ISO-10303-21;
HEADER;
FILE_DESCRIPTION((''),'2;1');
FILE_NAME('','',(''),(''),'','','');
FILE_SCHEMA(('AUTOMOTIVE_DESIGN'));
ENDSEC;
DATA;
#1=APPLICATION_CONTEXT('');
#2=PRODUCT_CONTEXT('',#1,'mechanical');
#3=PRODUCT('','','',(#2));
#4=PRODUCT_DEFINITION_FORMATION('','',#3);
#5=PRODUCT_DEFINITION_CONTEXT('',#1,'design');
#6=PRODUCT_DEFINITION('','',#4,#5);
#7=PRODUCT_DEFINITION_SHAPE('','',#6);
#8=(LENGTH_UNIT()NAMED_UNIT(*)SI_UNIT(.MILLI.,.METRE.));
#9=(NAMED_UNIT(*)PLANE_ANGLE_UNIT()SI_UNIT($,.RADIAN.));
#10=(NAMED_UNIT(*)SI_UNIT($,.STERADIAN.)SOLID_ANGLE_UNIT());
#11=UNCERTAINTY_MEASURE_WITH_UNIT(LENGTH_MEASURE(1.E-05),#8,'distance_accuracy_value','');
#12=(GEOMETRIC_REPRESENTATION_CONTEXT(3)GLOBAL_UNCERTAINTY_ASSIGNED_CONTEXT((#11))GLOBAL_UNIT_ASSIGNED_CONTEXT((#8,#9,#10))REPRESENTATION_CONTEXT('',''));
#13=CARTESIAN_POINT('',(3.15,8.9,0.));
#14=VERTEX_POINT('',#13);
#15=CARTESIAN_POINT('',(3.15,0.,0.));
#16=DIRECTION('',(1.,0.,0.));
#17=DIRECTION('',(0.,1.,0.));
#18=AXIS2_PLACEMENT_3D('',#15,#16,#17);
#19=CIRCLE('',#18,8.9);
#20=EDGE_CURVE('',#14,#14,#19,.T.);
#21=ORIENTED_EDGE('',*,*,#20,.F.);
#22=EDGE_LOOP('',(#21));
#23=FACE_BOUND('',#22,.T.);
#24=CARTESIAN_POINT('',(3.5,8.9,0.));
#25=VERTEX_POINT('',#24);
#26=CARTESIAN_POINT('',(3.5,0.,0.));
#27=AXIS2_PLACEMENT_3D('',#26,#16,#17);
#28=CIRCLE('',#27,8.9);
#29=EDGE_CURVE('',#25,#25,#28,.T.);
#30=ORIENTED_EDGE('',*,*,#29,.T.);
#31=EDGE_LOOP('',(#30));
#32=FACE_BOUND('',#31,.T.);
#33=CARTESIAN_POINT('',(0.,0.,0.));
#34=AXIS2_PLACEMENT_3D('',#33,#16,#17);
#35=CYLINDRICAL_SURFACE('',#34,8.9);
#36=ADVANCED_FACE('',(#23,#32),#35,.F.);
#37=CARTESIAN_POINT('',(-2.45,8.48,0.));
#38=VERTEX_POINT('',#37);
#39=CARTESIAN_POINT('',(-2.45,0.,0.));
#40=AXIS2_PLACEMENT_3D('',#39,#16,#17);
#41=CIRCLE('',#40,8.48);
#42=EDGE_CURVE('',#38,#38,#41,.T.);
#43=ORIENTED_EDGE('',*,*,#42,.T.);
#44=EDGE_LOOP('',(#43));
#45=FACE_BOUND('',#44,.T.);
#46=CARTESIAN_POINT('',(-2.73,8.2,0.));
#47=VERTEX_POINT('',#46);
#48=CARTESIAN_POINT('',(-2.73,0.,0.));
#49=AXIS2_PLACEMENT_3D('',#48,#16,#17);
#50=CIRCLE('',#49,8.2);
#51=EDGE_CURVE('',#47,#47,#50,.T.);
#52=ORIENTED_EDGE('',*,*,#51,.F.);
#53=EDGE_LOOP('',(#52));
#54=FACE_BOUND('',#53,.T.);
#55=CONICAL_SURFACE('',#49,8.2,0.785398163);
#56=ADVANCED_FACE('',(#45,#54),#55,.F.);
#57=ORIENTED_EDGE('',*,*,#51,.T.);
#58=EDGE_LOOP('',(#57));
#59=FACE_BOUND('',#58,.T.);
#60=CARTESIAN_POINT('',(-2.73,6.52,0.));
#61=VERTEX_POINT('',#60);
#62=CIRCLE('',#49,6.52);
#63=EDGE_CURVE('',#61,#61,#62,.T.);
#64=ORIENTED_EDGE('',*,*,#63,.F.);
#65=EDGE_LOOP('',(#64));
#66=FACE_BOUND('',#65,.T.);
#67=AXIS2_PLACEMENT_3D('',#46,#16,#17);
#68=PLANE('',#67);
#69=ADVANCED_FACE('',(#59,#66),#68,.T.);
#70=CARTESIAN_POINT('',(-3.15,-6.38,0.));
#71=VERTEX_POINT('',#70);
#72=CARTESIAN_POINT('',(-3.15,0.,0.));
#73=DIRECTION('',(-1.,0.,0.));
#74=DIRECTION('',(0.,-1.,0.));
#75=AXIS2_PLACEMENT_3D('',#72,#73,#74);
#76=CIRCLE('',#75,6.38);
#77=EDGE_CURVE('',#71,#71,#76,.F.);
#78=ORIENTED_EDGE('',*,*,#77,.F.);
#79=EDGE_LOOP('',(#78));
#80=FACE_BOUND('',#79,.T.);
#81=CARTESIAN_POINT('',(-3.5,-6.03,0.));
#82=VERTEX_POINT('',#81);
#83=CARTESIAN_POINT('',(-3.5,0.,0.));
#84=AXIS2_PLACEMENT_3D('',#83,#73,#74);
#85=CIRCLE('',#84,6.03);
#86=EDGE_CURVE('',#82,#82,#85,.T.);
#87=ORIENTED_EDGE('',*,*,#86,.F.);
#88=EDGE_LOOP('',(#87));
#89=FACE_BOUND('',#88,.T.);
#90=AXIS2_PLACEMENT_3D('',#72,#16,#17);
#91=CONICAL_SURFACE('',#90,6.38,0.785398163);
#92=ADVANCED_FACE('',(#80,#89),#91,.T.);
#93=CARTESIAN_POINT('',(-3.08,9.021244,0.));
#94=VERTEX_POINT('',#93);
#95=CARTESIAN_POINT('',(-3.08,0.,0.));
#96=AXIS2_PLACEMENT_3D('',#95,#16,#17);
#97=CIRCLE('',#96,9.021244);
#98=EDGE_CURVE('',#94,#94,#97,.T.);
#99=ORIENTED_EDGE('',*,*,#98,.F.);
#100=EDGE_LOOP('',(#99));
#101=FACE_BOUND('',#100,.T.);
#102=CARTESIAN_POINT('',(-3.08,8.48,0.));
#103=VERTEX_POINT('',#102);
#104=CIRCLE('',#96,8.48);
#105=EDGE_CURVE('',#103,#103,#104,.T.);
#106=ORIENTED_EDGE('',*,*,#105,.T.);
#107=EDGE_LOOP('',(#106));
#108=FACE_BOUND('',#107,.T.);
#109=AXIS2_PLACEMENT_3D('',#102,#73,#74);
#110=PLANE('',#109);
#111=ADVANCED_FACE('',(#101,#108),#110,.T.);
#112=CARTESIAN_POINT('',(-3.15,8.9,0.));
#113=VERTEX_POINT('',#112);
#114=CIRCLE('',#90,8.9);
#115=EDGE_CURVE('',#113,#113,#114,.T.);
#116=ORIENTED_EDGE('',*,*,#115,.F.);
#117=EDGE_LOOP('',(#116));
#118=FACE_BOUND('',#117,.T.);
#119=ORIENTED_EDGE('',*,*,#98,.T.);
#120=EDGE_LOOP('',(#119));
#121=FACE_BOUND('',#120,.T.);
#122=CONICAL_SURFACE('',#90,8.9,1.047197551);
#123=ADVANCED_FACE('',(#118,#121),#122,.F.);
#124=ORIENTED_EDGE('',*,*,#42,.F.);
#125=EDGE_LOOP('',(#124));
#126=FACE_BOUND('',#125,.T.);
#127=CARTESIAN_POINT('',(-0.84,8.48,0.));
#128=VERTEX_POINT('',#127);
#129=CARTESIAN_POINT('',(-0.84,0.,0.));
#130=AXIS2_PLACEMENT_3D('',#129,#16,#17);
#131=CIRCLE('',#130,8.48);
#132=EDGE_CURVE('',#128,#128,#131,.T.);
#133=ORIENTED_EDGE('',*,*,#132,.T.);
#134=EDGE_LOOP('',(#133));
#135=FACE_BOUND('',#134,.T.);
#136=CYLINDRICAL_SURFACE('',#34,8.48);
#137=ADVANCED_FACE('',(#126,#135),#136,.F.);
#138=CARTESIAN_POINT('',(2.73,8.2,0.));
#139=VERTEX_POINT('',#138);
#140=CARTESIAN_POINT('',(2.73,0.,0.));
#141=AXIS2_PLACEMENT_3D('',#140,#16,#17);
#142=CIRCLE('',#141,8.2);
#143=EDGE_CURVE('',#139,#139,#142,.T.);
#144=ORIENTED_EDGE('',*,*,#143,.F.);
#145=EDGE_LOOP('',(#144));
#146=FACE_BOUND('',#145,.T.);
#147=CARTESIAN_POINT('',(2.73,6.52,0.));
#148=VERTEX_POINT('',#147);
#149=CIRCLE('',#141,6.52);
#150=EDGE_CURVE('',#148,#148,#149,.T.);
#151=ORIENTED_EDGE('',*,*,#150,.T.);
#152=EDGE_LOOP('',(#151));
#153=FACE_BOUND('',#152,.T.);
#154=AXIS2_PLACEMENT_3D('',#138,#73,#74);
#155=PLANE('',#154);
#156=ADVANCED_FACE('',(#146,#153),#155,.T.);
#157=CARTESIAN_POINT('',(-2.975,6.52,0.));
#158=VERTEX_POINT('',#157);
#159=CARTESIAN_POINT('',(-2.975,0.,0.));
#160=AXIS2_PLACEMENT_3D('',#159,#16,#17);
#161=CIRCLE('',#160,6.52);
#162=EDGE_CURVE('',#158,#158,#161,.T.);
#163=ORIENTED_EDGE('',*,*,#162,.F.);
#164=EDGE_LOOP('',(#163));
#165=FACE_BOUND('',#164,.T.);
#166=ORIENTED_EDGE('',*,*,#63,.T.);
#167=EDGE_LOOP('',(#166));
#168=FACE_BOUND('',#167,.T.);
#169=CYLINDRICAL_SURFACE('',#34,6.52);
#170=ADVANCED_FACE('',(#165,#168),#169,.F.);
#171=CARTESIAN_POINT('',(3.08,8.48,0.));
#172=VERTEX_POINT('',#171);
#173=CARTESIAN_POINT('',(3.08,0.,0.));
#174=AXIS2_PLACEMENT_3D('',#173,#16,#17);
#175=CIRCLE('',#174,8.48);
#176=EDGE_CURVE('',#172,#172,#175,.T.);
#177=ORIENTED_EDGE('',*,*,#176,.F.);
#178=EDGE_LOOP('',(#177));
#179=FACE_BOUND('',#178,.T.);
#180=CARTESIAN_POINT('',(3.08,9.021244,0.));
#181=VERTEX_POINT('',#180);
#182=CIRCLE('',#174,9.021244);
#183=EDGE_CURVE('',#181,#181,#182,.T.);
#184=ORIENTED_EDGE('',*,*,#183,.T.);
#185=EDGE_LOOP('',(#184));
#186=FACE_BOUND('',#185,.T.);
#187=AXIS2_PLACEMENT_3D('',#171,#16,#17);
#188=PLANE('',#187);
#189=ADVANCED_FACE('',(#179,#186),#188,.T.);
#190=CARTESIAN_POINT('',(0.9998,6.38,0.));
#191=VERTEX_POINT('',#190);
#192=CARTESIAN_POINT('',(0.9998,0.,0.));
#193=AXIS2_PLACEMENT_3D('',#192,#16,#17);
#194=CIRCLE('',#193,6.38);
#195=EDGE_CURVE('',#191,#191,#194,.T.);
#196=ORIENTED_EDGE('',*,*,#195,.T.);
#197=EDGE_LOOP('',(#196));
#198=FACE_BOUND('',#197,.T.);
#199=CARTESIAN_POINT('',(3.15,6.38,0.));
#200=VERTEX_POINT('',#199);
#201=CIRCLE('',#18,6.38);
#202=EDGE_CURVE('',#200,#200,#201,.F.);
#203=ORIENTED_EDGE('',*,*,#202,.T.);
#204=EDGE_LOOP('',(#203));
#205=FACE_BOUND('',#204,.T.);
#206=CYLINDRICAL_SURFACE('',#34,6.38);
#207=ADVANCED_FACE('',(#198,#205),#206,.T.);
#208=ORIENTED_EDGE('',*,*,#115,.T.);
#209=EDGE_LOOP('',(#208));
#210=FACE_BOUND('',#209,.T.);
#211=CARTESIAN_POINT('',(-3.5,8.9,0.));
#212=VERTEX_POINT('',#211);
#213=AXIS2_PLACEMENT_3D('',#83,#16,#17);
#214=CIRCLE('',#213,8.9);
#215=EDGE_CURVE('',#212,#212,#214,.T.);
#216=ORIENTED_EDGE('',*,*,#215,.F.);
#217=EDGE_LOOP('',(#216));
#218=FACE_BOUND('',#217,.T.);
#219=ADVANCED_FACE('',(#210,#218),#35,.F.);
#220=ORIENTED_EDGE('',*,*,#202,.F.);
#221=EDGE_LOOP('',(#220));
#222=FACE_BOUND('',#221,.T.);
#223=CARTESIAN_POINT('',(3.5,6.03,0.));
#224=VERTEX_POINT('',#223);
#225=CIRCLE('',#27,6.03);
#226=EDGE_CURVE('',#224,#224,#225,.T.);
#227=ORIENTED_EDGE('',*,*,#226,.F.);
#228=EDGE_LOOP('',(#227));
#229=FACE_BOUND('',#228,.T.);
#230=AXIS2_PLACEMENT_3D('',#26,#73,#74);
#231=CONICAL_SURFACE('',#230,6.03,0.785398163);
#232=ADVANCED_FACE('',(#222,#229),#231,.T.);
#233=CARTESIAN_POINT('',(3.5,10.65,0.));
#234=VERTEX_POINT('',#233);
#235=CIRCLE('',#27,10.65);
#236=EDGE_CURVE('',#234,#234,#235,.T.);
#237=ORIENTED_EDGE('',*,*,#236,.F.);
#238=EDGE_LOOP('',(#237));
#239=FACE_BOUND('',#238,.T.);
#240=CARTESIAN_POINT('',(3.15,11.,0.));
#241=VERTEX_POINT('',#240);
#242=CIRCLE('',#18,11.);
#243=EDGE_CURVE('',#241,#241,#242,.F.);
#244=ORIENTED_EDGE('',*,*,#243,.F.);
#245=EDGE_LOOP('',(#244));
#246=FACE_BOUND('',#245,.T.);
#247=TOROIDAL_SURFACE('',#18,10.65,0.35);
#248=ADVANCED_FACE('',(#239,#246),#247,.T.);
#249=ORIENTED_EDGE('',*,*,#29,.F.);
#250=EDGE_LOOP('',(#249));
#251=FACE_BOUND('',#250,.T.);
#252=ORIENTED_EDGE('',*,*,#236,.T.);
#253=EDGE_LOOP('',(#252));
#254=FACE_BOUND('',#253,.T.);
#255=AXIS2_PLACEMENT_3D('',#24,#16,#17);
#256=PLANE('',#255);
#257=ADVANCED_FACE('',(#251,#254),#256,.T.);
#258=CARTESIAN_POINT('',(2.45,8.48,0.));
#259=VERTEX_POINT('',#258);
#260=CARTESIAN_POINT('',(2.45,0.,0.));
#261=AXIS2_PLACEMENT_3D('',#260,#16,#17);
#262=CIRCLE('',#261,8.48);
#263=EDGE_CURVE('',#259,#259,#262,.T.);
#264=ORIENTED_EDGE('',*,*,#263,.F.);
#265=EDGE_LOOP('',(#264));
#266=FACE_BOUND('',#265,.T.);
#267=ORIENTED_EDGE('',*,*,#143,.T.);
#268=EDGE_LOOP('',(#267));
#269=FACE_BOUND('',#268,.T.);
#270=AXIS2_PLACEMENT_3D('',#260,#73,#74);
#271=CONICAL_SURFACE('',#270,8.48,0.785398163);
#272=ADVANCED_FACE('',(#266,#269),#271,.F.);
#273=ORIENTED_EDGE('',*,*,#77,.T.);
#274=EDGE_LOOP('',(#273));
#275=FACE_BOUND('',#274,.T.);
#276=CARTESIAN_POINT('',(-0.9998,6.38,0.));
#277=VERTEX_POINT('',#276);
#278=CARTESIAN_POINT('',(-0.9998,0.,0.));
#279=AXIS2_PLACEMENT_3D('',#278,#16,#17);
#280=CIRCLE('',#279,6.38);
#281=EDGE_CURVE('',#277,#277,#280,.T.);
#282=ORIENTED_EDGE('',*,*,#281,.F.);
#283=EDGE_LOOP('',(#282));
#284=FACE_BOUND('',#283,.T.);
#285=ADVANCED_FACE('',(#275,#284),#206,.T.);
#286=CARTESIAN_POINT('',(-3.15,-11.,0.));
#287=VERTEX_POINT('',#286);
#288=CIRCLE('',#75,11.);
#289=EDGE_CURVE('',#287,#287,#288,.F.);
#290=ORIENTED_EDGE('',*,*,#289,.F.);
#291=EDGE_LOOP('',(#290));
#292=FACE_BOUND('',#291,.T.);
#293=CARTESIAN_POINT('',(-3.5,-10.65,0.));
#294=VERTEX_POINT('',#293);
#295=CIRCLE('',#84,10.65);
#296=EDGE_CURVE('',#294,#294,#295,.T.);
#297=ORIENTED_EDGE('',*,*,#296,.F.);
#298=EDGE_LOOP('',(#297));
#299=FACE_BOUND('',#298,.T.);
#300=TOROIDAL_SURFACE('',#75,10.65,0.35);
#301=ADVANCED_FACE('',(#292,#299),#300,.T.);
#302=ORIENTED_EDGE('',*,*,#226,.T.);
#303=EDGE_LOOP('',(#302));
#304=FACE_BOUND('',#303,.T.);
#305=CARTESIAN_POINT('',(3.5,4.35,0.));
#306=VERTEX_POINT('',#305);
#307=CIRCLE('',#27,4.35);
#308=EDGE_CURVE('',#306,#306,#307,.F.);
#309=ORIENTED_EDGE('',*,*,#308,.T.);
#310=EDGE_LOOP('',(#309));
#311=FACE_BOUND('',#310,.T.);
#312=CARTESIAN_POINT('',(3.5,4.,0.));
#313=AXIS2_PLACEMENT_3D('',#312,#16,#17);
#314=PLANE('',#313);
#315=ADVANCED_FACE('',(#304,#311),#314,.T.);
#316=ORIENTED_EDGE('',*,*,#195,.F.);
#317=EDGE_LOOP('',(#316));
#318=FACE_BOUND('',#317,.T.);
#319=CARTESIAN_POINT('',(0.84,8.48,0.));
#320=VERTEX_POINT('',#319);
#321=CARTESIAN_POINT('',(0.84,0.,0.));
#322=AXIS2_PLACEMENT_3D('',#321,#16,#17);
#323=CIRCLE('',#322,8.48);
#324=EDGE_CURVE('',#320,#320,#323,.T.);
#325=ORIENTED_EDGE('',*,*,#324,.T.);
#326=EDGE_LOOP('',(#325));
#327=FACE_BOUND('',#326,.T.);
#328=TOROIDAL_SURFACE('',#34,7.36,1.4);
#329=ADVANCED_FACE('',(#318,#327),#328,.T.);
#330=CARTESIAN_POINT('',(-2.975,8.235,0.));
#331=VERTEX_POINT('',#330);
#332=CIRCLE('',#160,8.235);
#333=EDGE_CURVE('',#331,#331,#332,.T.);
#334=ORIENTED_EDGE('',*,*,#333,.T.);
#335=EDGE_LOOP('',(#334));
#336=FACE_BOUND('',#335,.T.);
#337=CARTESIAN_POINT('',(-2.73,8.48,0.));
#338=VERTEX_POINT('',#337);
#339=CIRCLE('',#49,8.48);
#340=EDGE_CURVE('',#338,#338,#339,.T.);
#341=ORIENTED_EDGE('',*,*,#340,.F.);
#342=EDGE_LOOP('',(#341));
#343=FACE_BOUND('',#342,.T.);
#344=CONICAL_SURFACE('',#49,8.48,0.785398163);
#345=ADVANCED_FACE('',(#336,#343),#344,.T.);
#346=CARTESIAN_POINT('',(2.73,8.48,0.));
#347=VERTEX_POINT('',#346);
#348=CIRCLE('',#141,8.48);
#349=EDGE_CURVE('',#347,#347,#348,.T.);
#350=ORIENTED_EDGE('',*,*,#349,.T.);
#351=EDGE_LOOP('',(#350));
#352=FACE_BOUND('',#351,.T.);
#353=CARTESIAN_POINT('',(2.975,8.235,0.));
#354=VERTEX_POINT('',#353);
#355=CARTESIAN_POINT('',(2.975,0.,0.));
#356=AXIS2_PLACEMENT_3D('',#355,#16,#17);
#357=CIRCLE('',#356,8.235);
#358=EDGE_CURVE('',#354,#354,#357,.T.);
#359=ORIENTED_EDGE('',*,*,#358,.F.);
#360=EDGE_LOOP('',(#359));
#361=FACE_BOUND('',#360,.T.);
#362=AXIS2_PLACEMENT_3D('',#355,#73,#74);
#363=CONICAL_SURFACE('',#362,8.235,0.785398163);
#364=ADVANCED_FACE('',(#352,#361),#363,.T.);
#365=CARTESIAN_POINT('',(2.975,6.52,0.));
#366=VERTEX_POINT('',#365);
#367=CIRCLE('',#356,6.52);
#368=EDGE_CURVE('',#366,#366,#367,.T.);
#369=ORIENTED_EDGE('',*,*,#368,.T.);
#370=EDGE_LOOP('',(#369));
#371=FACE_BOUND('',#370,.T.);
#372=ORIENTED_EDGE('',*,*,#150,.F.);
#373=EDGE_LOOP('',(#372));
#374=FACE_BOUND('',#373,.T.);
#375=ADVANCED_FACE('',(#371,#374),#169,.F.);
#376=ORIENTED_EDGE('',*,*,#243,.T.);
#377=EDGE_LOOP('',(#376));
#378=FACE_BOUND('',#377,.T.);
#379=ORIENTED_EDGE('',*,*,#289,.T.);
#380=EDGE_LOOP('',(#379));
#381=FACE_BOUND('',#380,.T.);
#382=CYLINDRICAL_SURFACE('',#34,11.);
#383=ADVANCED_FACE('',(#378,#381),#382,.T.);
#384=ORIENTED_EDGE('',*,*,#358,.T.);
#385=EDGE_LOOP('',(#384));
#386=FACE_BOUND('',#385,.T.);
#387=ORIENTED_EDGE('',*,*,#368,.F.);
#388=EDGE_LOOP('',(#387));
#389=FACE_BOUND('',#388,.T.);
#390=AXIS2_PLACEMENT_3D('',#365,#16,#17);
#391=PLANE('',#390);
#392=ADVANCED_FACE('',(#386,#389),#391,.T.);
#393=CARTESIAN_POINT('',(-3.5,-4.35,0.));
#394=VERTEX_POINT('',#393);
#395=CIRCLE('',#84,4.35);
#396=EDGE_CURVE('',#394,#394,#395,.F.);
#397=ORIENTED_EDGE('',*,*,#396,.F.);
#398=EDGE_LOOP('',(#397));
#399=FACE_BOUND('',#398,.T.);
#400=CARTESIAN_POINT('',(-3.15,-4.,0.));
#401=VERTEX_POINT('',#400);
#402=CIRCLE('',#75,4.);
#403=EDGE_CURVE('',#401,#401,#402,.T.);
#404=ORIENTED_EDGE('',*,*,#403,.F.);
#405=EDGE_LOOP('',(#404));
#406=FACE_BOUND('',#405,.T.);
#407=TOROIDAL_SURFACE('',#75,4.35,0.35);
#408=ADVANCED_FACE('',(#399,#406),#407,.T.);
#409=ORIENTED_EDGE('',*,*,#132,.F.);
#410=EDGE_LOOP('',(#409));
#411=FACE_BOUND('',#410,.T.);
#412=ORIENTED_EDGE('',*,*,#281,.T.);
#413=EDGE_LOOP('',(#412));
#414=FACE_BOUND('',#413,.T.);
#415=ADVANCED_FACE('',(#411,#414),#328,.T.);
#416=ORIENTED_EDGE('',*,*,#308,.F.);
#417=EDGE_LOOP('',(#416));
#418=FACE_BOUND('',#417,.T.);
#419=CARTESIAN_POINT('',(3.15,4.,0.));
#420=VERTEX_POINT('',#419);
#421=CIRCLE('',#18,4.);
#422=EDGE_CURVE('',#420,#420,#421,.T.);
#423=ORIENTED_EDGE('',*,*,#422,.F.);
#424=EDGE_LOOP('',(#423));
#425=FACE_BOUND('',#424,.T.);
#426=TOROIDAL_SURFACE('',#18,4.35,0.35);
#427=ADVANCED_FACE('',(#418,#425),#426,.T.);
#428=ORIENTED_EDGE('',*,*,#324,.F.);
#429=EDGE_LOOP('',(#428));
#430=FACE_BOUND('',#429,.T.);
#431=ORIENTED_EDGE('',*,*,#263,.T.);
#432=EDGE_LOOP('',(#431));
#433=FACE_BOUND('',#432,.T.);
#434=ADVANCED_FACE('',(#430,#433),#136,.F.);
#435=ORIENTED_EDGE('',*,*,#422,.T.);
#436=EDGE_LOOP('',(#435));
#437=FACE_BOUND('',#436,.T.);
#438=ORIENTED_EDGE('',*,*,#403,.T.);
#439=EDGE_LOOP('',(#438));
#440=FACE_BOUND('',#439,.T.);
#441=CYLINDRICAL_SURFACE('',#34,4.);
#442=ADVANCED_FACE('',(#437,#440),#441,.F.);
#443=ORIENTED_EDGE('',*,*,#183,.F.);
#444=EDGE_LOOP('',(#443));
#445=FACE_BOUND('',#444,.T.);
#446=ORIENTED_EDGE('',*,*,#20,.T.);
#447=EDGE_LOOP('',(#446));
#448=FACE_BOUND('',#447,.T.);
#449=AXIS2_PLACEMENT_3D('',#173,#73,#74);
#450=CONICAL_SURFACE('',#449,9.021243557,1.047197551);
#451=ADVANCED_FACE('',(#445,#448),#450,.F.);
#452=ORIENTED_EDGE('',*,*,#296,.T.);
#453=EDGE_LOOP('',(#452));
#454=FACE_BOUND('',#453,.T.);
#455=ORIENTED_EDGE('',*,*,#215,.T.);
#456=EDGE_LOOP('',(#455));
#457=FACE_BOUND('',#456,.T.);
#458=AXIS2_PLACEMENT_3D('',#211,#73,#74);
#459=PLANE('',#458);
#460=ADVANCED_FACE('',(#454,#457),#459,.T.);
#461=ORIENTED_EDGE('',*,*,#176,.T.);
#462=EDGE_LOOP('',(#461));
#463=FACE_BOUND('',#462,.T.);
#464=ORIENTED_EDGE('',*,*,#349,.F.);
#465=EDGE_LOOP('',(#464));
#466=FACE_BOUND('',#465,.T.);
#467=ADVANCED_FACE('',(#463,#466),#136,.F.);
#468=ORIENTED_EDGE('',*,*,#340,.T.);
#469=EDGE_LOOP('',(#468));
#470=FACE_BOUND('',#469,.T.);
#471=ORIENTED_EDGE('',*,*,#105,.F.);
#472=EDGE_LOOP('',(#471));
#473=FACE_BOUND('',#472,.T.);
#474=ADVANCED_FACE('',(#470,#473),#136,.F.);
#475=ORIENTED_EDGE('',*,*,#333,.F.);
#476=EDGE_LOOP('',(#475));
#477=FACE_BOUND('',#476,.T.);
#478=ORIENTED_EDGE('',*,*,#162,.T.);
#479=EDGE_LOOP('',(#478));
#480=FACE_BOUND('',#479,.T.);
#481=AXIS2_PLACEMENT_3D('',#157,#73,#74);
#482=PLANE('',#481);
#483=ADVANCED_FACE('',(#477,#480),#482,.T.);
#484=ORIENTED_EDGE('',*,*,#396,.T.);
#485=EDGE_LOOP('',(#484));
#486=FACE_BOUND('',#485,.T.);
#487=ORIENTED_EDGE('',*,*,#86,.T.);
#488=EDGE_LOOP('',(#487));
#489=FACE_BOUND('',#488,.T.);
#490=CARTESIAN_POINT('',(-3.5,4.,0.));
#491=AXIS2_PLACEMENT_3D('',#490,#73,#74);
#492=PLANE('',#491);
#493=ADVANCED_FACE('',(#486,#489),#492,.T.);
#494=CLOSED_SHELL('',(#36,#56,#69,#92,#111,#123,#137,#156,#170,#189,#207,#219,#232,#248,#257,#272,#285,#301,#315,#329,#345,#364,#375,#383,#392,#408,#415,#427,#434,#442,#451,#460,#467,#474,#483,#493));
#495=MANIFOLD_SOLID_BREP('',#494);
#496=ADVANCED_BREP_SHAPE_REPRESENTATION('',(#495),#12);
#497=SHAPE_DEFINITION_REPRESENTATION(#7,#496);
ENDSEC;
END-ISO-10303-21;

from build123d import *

# Parameters (mm, degrees)
FILLET_1_R     = 0.35
CHAMFER_1_SIZE = 0.35


with BuildPart() as part:
    # 草图1 → 旋转1 (revolve)
    with BuildSketch(Plane.XY):
        with BuildLine():
            Line((-3.5, 4), (-3.5, 6.38))
            Line((-3.5, 6.38), (-0.99979998, 6.38))
            ThreePointArc((-0.99979998, 6.38), (-1.39596418, 7.466226213), (-0.84, 8.48))
            Line((-0.84, 8.48), (-2.45, 8.48))
            Line((-2.45, 8.48), (-2.73, 8.2))
            Line((-2.73, 8.2), (-2.73, 6.52))
            Line((-2.73, 6.52), (-2.975, 6.52))
            Line((-2.975, 6.52), (-2.975, 8.235))
            Line((-2.975, 8.235), (-2.73, 8.48))
            Line((-2.73, 8.48), (-3.08, 8.48))
            Line((-3.08, 8.48), (-3.08, 9.021243557))
            Line((-3.08, 9.021243557), (-3.15, 8.9))
            Line((-3.15, 8.9), (-3.5, 8.9))
            Line((-3.5, 8.9), (-3.5, 11))
            Line((-3.5, 11), (3.5, 11))
            Line((3.5, 11), (3.5, 8.9))
            Line((3.5, 8.9), (3.15, 8.9))
            Line((3.15, 8.9), (3.08, 9.021243557))
            Line((3.08, 9.021243557), (3.08, 8.48))
            Line((3.08, 8.48), (2.73, 8.48))
            Line((2.73, 8.48), (2.975, 8.235))
            Line((2.975, 8.235), (2.975, 6.52))
            Line((2.975, 6.52), (2.73, 6.52))
            Line((2.73, 6.52), (2.73, 8.2))
            Line((2.73, 8.2), (2.45, 8.48))
            Line((2.45, 8.48), (0.84, 8.48))
            ThreePointArc((0.84, 8.48), (1.39596418, 7.466226213), (0.99979998, 6.38))
            Line((0.99979998, 6.38), (3.5, 6.38))
            Line((3.5, 6.38), (3.5, 4))
            Line((3.5, 4), (-3.5, 4))
        make_face()
    revolve(axis=Axis((0, 0, 0), (-1, 0, 0)))

    # 圆角1
    fillet_1_edges = [part.edges().sort_by_distance(p)[0] for p in [
        (3.5, -4, 0),
        (-3.5, -4, 0),
        (-3.5, -11, 0),
        (3.5, -11, 0),
    ]]
    fillet(fillet_1_edges, radius=FILLET_1_R)

    # 倒角1
    chamfer_1_edges = [part.edges().sort_by_distance(p)[0] for p in [
        (-3.5, -6.38, 0),
        (3.5, -6.38, 0),
    ]]
    chamfer(chamfer_1_edges, length=CHAMFER_1_SIZE)


solid = part.part
